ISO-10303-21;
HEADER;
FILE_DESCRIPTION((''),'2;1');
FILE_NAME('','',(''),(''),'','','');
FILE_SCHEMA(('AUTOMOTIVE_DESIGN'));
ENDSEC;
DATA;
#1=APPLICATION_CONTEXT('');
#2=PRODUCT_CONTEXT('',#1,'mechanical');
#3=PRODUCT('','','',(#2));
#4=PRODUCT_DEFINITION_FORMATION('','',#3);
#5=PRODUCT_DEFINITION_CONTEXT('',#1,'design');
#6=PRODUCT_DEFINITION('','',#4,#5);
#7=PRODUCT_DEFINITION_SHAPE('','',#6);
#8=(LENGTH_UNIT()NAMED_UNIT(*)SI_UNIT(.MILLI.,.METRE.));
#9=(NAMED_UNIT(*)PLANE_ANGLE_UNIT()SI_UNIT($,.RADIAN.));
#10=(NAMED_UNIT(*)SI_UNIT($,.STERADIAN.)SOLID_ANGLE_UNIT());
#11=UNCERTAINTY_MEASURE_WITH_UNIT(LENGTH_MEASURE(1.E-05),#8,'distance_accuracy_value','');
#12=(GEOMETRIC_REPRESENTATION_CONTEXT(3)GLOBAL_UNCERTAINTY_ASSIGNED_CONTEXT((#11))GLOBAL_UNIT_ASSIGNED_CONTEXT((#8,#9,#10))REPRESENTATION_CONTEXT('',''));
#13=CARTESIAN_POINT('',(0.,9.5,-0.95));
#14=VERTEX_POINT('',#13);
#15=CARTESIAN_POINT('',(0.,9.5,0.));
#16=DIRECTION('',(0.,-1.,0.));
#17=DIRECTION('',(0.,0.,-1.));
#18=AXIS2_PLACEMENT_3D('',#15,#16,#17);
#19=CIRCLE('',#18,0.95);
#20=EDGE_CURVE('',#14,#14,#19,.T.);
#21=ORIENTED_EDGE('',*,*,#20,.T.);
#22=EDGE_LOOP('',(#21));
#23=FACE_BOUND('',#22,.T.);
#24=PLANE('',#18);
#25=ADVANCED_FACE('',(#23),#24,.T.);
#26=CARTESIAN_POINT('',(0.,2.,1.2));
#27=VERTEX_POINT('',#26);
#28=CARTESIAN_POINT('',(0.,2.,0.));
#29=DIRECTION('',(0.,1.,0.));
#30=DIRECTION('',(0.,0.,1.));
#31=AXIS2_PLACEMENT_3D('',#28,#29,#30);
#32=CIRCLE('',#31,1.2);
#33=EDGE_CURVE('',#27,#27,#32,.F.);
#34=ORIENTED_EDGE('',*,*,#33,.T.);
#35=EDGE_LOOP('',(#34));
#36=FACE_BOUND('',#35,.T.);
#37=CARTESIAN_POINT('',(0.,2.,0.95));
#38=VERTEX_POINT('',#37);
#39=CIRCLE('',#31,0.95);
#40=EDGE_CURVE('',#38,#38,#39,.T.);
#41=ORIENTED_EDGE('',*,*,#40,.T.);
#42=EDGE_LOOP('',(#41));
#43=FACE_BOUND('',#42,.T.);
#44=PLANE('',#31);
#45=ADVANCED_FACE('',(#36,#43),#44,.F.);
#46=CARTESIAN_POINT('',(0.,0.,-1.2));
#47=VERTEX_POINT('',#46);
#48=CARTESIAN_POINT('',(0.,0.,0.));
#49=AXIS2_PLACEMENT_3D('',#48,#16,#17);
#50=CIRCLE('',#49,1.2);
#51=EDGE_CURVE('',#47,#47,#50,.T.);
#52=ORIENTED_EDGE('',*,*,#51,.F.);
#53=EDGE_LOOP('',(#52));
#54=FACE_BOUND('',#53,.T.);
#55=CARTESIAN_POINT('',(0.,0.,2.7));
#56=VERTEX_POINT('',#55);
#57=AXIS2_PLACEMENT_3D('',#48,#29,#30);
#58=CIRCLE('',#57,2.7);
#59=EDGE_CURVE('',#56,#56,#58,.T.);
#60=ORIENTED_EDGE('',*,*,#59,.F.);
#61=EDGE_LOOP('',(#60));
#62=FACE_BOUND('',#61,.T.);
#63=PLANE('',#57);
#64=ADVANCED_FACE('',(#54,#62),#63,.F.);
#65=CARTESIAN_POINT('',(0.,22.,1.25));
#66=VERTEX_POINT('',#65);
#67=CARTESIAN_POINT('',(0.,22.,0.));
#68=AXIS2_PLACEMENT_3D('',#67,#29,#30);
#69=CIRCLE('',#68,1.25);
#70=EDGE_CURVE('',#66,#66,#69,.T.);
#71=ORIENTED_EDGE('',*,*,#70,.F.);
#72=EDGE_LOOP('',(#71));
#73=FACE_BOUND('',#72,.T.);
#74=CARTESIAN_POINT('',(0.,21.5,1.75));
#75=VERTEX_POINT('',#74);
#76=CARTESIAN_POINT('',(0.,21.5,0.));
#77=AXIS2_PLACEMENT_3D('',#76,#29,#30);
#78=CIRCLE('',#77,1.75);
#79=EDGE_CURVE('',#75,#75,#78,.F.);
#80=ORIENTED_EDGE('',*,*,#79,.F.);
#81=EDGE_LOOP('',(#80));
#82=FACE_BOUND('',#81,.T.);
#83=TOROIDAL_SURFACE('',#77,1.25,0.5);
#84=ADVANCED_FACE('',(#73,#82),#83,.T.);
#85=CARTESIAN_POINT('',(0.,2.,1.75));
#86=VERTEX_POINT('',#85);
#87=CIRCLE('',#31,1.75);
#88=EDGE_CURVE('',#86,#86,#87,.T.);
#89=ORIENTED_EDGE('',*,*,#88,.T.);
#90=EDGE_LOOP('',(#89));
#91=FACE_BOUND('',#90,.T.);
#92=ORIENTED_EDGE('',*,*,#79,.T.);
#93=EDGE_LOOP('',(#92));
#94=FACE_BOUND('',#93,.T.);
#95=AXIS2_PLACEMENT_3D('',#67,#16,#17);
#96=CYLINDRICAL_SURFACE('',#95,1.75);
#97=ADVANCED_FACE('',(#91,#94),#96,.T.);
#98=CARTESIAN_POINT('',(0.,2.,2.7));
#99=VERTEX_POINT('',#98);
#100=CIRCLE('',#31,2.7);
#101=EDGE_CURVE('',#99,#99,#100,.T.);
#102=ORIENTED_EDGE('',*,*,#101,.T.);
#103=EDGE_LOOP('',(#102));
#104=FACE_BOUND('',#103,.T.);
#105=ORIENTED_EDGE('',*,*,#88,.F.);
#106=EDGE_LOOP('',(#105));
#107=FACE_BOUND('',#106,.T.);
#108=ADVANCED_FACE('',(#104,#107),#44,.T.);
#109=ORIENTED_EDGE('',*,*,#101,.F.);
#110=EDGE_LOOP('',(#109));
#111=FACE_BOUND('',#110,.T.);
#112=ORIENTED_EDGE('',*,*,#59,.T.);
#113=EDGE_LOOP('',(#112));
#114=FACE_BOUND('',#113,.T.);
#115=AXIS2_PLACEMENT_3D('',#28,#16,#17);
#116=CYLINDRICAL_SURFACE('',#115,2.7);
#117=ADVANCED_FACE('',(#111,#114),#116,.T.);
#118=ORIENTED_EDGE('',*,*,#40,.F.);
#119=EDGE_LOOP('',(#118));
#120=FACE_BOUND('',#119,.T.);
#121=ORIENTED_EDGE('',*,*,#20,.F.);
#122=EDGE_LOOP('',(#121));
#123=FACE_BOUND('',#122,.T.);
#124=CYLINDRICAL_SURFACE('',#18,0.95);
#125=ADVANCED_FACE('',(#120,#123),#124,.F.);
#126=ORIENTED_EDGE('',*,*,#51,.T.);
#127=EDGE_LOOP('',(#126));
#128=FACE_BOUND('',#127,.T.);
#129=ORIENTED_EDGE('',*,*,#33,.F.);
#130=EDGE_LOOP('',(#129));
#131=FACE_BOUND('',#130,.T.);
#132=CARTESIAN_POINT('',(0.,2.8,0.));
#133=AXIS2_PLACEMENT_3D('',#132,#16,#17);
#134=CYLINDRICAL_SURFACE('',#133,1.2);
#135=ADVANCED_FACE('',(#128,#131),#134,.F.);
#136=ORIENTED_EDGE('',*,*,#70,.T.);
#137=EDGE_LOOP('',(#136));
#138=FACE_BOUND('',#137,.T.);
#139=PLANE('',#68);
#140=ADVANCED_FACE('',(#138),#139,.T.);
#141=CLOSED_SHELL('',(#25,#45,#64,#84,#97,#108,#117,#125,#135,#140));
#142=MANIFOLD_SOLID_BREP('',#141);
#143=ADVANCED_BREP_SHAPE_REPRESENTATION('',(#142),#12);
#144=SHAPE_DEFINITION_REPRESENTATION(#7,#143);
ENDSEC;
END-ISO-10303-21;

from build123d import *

# Parameters (mm, degrees)
SKETCH1_R           = 2.7
BOSS_EXTRUDE1_DEPTH = 2
SKETCH3_R           = 0.95
CUT_EXTRUDE2_DEPTH  = 9.5
SKETCH7_R           = 1.2
CUT_EXTRUDE4_DEPTH  = 2.8
SKETCH2_R           = 1.75
BOSS_EXTRUDE2_DEPTH = 20
FILLET2_R           = 0.5
SKETCH8_R           = 0.95
CUT_EXTRUDE5_DEPTH  = 9.5


with BuildPart() as part:
    # Sketch1 → Boss-Extrude1 (new body)
    with BuildSketch(Plane(origin=(0, 0, 0), x_dir=(1, 0, 0), z_dir=(0, 1, 0))):
        with Locations(Location((0, 0, 0), (0, 0, 270))):
            Circle(SKETCH1_R)
    extrude(amount=BOSS_EXTRUDE1_DEPTH)

    # Sketch3 → Cut-Extrude2 (cut)
    with BuildSketch(Plane.XZ):
        with Locations(Location((0, 0, 0), (0, 0, 270))):
            Circle(SKETCH3_R)
    extrude(amount=-CUT_EXTRUDE2_DEPTH, mode=Mode.SUBTRACT)

    # Sketch7 → Cut-Extrude4 (cut)
    with BuildSketch(Plane.XZ):
        with Locations(Location((0, 0, 0), (0, 0, 270))):
            Circle(SKETCH7_R)
    extrude(amount=-CUT_EXTRUDE4_DEPTH, mode=Mode.SUBTRACT)

    # Sketch2 → Boss-Extrude2 (add)
    with BuildSketch(Plane(origin=(0, 2, 0), x_dir=(1, 0, 0), z_dir=(0, 1, 0))):
        with Locations(Location((0, 0, 0), (0, 0, 270))):
            Circle(SKETCH2_R)
    extrude(amount=BOSS_EXTRUDE2_DEPTH)

    # Fillet2
    fillet2_edges = [part.edges().sort_by_distance(p)[0] for p in [
        (0, 22, -1.75),
    ]]
    fillet(fillet2_edges, radius=FILLET2_R)

    # Sketch8 → Cut-Extrude5 (cut)
    with BuildSketch(Plane.XZ):
        with Locations(Location((0, 0, 0), (0, 0, 270))):
            Circle(SKETCH8_R)
    extrude(amount=-CUT_EXTRUDE5_DEPTH, mode=Mode.SUBTRACT)


solid = part.part
